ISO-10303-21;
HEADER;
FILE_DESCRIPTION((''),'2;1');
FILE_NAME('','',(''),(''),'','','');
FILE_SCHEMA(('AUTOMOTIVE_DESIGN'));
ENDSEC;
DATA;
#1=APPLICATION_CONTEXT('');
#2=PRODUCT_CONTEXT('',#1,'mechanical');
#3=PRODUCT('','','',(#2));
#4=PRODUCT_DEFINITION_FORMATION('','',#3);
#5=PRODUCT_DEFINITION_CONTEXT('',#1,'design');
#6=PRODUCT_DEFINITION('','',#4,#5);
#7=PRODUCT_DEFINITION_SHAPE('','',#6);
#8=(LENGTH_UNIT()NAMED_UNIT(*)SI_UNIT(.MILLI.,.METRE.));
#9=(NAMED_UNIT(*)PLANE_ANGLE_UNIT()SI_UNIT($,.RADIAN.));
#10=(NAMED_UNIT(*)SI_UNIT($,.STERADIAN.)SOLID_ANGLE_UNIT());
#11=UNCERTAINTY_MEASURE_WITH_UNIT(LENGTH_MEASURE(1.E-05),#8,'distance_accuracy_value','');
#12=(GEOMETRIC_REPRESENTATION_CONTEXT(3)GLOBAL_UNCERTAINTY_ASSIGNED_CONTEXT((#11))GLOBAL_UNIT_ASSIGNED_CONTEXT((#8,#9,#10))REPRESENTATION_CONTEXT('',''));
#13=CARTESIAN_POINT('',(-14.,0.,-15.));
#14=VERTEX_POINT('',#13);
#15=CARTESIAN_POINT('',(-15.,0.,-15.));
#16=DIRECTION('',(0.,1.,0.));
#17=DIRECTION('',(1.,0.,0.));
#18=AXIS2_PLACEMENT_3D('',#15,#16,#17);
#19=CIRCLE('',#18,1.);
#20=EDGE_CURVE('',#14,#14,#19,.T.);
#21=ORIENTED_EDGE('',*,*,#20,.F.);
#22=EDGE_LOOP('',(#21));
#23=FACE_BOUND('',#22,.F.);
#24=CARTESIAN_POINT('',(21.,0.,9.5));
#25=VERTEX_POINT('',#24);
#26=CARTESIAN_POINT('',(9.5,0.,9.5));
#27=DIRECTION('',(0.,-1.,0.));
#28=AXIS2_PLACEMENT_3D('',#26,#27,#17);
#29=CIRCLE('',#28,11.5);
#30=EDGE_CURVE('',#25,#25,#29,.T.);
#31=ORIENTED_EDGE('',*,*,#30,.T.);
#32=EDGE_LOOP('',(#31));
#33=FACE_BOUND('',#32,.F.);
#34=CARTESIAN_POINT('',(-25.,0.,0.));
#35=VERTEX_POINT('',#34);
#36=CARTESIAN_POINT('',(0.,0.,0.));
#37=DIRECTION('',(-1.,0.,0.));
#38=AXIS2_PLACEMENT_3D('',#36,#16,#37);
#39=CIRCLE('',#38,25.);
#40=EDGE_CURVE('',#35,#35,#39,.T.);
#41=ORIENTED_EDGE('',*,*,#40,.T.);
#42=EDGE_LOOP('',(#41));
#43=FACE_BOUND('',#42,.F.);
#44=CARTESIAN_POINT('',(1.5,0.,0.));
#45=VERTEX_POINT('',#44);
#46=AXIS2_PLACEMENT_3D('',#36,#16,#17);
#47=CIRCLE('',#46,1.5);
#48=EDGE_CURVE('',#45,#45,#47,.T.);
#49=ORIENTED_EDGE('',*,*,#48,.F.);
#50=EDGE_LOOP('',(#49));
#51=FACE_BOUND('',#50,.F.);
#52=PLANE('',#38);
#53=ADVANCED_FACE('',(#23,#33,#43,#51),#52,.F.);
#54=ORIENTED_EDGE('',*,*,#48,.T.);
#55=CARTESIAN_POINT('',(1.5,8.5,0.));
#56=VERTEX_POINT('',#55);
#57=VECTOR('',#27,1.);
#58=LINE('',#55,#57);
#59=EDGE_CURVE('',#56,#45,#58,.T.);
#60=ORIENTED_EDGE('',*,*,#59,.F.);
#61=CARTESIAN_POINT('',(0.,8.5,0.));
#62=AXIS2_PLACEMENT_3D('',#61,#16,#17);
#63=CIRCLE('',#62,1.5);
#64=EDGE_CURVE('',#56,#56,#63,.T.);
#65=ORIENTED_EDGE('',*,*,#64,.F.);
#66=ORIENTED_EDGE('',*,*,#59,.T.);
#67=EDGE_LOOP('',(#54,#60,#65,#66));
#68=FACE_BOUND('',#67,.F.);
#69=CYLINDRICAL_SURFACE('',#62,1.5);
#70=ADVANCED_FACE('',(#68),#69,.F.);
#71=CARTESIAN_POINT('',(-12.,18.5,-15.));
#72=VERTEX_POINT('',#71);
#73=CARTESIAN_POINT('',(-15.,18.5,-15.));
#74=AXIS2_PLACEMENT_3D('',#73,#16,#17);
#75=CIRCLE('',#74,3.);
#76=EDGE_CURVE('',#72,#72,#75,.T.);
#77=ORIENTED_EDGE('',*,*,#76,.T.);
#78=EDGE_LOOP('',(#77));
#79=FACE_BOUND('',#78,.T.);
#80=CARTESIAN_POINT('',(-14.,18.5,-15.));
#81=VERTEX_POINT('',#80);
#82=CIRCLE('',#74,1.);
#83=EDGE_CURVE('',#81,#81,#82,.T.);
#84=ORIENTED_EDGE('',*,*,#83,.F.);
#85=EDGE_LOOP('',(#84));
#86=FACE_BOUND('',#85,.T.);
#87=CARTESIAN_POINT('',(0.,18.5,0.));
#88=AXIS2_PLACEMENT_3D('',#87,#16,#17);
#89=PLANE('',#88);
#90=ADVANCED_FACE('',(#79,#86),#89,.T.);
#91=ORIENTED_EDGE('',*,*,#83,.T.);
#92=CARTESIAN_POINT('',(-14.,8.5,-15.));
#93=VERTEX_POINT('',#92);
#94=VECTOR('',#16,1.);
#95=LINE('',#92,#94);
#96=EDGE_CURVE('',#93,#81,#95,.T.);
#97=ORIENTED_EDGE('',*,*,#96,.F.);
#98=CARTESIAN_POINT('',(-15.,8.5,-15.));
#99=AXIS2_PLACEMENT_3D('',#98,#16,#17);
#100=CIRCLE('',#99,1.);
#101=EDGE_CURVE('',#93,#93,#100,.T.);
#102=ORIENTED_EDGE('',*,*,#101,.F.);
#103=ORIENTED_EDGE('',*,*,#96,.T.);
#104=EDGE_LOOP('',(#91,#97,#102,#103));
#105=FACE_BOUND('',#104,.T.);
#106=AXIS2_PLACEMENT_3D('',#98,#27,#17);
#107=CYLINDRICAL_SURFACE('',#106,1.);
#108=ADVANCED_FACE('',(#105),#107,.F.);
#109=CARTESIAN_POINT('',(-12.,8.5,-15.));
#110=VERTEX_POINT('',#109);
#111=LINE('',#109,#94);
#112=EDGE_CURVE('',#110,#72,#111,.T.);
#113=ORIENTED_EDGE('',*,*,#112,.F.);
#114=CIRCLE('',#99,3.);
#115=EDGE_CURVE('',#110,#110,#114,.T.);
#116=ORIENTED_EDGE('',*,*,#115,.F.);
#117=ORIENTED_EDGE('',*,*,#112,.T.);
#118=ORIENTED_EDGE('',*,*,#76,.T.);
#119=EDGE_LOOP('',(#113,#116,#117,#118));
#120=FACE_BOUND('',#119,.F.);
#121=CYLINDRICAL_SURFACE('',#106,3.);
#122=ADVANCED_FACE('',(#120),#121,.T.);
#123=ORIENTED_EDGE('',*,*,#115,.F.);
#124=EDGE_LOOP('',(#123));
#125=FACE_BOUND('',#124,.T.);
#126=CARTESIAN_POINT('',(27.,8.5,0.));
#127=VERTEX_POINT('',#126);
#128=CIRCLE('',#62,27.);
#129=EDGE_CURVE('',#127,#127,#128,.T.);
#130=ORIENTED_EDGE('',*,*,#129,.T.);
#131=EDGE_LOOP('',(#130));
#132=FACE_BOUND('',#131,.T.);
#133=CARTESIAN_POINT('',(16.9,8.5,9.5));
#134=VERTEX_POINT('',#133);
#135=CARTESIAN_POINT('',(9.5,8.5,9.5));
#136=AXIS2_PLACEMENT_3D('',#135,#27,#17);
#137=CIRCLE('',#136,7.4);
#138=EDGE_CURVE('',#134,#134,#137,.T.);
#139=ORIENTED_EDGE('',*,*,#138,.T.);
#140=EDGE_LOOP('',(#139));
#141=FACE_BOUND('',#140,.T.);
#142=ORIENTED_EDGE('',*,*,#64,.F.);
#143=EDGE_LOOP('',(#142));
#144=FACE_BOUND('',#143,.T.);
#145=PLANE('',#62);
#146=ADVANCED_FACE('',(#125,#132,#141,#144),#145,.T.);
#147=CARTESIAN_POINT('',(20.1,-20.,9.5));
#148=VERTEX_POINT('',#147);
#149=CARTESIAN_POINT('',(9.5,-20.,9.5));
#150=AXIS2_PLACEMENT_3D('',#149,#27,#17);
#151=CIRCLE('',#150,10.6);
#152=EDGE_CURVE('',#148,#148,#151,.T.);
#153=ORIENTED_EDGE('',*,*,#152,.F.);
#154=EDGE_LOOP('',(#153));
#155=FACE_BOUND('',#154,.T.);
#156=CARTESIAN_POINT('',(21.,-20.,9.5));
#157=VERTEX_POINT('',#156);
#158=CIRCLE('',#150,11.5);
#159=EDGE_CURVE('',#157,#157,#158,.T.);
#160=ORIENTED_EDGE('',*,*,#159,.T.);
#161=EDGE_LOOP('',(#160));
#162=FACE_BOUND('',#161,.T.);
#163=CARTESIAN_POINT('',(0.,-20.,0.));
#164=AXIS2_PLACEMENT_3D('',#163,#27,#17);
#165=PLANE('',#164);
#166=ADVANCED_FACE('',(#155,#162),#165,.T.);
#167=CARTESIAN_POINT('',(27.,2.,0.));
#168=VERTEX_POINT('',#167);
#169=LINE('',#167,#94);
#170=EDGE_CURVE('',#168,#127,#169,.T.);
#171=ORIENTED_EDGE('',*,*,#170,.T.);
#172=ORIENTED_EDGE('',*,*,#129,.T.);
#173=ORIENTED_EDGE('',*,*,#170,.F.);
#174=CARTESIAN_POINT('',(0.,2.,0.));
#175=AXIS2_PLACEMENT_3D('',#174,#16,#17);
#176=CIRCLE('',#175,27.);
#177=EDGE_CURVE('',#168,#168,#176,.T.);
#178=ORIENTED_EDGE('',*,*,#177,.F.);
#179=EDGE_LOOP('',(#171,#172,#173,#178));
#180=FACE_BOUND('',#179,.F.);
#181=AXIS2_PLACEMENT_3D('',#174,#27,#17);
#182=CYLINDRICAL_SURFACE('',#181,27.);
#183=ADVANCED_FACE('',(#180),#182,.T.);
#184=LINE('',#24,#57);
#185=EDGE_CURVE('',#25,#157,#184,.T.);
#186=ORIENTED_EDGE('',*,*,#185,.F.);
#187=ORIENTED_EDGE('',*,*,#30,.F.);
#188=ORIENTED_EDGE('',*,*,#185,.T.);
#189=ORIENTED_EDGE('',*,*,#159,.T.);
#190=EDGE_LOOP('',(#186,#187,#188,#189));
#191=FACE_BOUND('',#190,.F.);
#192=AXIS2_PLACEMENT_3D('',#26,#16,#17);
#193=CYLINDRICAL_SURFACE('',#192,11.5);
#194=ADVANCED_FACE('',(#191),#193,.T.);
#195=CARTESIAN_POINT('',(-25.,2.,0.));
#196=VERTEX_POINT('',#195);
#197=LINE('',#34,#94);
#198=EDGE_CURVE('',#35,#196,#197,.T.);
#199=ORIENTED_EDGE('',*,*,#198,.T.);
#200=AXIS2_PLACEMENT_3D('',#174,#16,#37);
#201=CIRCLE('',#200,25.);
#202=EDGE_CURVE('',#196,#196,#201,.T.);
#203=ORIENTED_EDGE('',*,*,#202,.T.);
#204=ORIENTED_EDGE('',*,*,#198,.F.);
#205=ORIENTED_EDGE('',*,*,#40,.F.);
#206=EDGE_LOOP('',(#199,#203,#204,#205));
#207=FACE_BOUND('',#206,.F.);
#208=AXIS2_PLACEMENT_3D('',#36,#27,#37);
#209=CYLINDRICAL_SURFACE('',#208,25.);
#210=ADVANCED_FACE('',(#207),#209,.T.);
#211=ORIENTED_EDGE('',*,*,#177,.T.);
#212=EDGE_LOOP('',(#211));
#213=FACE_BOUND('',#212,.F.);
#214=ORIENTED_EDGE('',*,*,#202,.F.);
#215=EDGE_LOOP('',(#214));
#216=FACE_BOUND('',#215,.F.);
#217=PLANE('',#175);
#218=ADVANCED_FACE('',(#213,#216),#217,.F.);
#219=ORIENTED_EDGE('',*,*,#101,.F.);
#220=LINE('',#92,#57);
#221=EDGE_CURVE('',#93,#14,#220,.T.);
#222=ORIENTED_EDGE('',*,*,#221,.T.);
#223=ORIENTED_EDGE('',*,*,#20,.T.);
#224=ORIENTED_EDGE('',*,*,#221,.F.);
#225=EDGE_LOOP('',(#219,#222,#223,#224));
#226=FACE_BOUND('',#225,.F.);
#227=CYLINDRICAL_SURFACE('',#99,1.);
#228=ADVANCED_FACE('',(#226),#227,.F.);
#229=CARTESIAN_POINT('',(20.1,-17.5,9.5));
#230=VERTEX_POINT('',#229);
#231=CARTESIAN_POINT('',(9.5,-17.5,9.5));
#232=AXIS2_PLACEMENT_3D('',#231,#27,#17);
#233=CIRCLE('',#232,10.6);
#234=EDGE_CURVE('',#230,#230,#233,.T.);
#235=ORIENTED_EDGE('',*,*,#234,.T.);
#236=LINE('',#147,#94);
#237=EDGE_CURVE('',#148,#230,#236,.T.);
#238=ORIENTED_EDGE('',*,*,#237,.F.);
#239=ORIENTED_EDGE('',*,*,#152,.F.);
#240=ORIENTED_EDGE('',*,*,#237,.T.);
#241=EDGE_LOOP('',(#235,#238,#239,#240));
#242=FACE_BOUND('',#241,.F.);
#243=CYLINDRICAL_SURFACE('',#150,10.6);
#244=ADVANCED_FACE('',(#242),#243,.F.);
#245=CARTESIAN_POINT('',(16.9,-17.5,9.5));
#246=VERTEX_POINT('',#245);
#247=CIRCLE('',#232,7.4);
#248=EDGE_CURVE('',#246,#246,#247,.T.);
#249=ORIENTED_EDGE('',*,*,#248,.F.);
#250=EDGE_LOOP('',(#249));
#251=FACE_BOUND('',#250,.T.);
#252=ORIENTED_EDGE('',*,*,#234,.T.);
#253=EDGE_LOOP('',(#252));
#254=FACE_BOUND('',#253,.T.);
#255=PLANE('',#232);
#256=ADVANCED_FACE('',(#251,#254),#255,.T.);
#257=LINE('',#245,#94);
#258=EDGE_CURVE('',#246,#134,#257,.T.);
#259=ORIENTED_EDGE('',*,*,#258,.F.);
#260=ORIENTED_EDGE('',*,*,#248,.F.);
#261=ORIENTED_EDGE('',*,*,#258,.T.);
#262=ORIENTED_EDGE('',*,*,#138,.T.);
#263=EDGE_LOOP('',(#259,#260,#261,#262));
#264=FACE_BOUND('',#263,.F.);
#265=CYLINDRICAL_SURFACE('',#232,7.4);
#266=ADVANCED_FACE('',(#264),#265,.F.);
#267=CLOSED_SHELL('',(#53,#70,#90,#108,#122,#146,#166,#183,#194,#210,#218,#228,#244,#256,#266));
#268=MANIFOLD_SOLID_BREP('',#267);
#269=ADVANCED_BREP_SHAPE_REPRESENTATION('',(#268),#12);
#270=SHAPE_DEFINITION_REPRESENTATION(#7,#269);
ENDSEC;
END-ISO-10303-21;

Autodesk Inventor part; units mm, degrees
ref_plane "YZ Plane" through (0, 0, 0) normal (1, 0, 0) x (0, 1, 0)
ref_plane "XZ Plane" through (0, 0, 0) normal (0, 1, 0) x (-1, 0, 0)
ref_plane "XY Plane" through (0, 0, 0) normal (0, 0, 1) x (1, 0, 0)
sketch "Sketch1" plane through (0, 0, 0) normal (0, 1, 0) x (-1, 0, 0)
  circle A0 centre (0, 0) radius 25
  dimension "d0" = 50
extrude "Extrusion1" add sketch "Sketch1" along normal blind 2
sketch "Sketch3" plane through (0, 2, 0) normal (0, 1, 0) x (1, 0, 0)
  circle A0 centre (0, 0) radius 27
  circle A1 centre (0, 0) radius 25 projected
  dimension "d3" = 2
extrude "Extrusion2" add sketch "Sketch3" along normal blind 6.5 contours A0 | A1
sketch "Sketch4" plane through (0, 8.5, 0) normal (0, 1, 0) x (1, 0, 0)
  circle A0 centre (0, 0) radius 1.5
  circle A1 centre (-15, 15) radius 1
  dimension "d6" = 3
  dimension "d8" = 15
  dimension "d9" = 15
  dimension "d10" = 2
extrude "Extrusion3" cut sketch "Sketch4" against normal through all
sketch "Sketch5" plane through (0, 8.5, 0) normal (0, 1, 0) x (1, 0, 0)
  circle A0 centre (-15, 15) radius 3
  circle A1 centre (-15, 15) radius 1 projected
  point P0 (0, 0)
  dimension "d14" = 2
extrude "Extrusion4" add sketch "Sketch5" along normal blind 10
thread "Thread1" size "M6x1" class "6g" standard "ANSI Metric M Profile" length 9
sketch "Sketch10" plane through (0, 0, 0) normal (0, -1, 0) x (1, 0, 0)
  circle A0 centre (9.5, 9.5) radius 11.5
  point P0 (0, 0)
  dimension "d31" = 23
  dimension "d32" = 9.5
  dimension "d33" = 9.5
extrude "Extrusion8" add sketch "Sketch10" along normal blind 20
sketch "Sketch11" plane through (9.5, -20, 9.5) normal (0, -1, 0) x (1, 0, 0)
  circle A0 centre (0, 0) radius 10.6
  circle A1 centre (0, 0) radius 11.5 projected
  point P0 (-9.5, -9.5)
  dimension "d36" = 21.2
extrude "Extrusion9" cut sketch "Sketch11" against normal blind 2.5 contours A0
sketch "Sketch12" plane through (9.5, -17.5, 9.5) normal (0, -1, 0) x (1, 0, 0)
  circle A0 centre (0, 0) radius 7.4
  circle A1 centre (0, 0) radius 10.6 projected
  point P0 (-9.5, -9.5)
  dimension "d39" = 14.8
extrude "Extrusion10" cut sketch "Sketch12" against normal through all contours A0
thread "Thread2" size "M15x1.5" class "6H" standard "ANSI Metric M Profile" length 9
properties part number "TopReactor"
